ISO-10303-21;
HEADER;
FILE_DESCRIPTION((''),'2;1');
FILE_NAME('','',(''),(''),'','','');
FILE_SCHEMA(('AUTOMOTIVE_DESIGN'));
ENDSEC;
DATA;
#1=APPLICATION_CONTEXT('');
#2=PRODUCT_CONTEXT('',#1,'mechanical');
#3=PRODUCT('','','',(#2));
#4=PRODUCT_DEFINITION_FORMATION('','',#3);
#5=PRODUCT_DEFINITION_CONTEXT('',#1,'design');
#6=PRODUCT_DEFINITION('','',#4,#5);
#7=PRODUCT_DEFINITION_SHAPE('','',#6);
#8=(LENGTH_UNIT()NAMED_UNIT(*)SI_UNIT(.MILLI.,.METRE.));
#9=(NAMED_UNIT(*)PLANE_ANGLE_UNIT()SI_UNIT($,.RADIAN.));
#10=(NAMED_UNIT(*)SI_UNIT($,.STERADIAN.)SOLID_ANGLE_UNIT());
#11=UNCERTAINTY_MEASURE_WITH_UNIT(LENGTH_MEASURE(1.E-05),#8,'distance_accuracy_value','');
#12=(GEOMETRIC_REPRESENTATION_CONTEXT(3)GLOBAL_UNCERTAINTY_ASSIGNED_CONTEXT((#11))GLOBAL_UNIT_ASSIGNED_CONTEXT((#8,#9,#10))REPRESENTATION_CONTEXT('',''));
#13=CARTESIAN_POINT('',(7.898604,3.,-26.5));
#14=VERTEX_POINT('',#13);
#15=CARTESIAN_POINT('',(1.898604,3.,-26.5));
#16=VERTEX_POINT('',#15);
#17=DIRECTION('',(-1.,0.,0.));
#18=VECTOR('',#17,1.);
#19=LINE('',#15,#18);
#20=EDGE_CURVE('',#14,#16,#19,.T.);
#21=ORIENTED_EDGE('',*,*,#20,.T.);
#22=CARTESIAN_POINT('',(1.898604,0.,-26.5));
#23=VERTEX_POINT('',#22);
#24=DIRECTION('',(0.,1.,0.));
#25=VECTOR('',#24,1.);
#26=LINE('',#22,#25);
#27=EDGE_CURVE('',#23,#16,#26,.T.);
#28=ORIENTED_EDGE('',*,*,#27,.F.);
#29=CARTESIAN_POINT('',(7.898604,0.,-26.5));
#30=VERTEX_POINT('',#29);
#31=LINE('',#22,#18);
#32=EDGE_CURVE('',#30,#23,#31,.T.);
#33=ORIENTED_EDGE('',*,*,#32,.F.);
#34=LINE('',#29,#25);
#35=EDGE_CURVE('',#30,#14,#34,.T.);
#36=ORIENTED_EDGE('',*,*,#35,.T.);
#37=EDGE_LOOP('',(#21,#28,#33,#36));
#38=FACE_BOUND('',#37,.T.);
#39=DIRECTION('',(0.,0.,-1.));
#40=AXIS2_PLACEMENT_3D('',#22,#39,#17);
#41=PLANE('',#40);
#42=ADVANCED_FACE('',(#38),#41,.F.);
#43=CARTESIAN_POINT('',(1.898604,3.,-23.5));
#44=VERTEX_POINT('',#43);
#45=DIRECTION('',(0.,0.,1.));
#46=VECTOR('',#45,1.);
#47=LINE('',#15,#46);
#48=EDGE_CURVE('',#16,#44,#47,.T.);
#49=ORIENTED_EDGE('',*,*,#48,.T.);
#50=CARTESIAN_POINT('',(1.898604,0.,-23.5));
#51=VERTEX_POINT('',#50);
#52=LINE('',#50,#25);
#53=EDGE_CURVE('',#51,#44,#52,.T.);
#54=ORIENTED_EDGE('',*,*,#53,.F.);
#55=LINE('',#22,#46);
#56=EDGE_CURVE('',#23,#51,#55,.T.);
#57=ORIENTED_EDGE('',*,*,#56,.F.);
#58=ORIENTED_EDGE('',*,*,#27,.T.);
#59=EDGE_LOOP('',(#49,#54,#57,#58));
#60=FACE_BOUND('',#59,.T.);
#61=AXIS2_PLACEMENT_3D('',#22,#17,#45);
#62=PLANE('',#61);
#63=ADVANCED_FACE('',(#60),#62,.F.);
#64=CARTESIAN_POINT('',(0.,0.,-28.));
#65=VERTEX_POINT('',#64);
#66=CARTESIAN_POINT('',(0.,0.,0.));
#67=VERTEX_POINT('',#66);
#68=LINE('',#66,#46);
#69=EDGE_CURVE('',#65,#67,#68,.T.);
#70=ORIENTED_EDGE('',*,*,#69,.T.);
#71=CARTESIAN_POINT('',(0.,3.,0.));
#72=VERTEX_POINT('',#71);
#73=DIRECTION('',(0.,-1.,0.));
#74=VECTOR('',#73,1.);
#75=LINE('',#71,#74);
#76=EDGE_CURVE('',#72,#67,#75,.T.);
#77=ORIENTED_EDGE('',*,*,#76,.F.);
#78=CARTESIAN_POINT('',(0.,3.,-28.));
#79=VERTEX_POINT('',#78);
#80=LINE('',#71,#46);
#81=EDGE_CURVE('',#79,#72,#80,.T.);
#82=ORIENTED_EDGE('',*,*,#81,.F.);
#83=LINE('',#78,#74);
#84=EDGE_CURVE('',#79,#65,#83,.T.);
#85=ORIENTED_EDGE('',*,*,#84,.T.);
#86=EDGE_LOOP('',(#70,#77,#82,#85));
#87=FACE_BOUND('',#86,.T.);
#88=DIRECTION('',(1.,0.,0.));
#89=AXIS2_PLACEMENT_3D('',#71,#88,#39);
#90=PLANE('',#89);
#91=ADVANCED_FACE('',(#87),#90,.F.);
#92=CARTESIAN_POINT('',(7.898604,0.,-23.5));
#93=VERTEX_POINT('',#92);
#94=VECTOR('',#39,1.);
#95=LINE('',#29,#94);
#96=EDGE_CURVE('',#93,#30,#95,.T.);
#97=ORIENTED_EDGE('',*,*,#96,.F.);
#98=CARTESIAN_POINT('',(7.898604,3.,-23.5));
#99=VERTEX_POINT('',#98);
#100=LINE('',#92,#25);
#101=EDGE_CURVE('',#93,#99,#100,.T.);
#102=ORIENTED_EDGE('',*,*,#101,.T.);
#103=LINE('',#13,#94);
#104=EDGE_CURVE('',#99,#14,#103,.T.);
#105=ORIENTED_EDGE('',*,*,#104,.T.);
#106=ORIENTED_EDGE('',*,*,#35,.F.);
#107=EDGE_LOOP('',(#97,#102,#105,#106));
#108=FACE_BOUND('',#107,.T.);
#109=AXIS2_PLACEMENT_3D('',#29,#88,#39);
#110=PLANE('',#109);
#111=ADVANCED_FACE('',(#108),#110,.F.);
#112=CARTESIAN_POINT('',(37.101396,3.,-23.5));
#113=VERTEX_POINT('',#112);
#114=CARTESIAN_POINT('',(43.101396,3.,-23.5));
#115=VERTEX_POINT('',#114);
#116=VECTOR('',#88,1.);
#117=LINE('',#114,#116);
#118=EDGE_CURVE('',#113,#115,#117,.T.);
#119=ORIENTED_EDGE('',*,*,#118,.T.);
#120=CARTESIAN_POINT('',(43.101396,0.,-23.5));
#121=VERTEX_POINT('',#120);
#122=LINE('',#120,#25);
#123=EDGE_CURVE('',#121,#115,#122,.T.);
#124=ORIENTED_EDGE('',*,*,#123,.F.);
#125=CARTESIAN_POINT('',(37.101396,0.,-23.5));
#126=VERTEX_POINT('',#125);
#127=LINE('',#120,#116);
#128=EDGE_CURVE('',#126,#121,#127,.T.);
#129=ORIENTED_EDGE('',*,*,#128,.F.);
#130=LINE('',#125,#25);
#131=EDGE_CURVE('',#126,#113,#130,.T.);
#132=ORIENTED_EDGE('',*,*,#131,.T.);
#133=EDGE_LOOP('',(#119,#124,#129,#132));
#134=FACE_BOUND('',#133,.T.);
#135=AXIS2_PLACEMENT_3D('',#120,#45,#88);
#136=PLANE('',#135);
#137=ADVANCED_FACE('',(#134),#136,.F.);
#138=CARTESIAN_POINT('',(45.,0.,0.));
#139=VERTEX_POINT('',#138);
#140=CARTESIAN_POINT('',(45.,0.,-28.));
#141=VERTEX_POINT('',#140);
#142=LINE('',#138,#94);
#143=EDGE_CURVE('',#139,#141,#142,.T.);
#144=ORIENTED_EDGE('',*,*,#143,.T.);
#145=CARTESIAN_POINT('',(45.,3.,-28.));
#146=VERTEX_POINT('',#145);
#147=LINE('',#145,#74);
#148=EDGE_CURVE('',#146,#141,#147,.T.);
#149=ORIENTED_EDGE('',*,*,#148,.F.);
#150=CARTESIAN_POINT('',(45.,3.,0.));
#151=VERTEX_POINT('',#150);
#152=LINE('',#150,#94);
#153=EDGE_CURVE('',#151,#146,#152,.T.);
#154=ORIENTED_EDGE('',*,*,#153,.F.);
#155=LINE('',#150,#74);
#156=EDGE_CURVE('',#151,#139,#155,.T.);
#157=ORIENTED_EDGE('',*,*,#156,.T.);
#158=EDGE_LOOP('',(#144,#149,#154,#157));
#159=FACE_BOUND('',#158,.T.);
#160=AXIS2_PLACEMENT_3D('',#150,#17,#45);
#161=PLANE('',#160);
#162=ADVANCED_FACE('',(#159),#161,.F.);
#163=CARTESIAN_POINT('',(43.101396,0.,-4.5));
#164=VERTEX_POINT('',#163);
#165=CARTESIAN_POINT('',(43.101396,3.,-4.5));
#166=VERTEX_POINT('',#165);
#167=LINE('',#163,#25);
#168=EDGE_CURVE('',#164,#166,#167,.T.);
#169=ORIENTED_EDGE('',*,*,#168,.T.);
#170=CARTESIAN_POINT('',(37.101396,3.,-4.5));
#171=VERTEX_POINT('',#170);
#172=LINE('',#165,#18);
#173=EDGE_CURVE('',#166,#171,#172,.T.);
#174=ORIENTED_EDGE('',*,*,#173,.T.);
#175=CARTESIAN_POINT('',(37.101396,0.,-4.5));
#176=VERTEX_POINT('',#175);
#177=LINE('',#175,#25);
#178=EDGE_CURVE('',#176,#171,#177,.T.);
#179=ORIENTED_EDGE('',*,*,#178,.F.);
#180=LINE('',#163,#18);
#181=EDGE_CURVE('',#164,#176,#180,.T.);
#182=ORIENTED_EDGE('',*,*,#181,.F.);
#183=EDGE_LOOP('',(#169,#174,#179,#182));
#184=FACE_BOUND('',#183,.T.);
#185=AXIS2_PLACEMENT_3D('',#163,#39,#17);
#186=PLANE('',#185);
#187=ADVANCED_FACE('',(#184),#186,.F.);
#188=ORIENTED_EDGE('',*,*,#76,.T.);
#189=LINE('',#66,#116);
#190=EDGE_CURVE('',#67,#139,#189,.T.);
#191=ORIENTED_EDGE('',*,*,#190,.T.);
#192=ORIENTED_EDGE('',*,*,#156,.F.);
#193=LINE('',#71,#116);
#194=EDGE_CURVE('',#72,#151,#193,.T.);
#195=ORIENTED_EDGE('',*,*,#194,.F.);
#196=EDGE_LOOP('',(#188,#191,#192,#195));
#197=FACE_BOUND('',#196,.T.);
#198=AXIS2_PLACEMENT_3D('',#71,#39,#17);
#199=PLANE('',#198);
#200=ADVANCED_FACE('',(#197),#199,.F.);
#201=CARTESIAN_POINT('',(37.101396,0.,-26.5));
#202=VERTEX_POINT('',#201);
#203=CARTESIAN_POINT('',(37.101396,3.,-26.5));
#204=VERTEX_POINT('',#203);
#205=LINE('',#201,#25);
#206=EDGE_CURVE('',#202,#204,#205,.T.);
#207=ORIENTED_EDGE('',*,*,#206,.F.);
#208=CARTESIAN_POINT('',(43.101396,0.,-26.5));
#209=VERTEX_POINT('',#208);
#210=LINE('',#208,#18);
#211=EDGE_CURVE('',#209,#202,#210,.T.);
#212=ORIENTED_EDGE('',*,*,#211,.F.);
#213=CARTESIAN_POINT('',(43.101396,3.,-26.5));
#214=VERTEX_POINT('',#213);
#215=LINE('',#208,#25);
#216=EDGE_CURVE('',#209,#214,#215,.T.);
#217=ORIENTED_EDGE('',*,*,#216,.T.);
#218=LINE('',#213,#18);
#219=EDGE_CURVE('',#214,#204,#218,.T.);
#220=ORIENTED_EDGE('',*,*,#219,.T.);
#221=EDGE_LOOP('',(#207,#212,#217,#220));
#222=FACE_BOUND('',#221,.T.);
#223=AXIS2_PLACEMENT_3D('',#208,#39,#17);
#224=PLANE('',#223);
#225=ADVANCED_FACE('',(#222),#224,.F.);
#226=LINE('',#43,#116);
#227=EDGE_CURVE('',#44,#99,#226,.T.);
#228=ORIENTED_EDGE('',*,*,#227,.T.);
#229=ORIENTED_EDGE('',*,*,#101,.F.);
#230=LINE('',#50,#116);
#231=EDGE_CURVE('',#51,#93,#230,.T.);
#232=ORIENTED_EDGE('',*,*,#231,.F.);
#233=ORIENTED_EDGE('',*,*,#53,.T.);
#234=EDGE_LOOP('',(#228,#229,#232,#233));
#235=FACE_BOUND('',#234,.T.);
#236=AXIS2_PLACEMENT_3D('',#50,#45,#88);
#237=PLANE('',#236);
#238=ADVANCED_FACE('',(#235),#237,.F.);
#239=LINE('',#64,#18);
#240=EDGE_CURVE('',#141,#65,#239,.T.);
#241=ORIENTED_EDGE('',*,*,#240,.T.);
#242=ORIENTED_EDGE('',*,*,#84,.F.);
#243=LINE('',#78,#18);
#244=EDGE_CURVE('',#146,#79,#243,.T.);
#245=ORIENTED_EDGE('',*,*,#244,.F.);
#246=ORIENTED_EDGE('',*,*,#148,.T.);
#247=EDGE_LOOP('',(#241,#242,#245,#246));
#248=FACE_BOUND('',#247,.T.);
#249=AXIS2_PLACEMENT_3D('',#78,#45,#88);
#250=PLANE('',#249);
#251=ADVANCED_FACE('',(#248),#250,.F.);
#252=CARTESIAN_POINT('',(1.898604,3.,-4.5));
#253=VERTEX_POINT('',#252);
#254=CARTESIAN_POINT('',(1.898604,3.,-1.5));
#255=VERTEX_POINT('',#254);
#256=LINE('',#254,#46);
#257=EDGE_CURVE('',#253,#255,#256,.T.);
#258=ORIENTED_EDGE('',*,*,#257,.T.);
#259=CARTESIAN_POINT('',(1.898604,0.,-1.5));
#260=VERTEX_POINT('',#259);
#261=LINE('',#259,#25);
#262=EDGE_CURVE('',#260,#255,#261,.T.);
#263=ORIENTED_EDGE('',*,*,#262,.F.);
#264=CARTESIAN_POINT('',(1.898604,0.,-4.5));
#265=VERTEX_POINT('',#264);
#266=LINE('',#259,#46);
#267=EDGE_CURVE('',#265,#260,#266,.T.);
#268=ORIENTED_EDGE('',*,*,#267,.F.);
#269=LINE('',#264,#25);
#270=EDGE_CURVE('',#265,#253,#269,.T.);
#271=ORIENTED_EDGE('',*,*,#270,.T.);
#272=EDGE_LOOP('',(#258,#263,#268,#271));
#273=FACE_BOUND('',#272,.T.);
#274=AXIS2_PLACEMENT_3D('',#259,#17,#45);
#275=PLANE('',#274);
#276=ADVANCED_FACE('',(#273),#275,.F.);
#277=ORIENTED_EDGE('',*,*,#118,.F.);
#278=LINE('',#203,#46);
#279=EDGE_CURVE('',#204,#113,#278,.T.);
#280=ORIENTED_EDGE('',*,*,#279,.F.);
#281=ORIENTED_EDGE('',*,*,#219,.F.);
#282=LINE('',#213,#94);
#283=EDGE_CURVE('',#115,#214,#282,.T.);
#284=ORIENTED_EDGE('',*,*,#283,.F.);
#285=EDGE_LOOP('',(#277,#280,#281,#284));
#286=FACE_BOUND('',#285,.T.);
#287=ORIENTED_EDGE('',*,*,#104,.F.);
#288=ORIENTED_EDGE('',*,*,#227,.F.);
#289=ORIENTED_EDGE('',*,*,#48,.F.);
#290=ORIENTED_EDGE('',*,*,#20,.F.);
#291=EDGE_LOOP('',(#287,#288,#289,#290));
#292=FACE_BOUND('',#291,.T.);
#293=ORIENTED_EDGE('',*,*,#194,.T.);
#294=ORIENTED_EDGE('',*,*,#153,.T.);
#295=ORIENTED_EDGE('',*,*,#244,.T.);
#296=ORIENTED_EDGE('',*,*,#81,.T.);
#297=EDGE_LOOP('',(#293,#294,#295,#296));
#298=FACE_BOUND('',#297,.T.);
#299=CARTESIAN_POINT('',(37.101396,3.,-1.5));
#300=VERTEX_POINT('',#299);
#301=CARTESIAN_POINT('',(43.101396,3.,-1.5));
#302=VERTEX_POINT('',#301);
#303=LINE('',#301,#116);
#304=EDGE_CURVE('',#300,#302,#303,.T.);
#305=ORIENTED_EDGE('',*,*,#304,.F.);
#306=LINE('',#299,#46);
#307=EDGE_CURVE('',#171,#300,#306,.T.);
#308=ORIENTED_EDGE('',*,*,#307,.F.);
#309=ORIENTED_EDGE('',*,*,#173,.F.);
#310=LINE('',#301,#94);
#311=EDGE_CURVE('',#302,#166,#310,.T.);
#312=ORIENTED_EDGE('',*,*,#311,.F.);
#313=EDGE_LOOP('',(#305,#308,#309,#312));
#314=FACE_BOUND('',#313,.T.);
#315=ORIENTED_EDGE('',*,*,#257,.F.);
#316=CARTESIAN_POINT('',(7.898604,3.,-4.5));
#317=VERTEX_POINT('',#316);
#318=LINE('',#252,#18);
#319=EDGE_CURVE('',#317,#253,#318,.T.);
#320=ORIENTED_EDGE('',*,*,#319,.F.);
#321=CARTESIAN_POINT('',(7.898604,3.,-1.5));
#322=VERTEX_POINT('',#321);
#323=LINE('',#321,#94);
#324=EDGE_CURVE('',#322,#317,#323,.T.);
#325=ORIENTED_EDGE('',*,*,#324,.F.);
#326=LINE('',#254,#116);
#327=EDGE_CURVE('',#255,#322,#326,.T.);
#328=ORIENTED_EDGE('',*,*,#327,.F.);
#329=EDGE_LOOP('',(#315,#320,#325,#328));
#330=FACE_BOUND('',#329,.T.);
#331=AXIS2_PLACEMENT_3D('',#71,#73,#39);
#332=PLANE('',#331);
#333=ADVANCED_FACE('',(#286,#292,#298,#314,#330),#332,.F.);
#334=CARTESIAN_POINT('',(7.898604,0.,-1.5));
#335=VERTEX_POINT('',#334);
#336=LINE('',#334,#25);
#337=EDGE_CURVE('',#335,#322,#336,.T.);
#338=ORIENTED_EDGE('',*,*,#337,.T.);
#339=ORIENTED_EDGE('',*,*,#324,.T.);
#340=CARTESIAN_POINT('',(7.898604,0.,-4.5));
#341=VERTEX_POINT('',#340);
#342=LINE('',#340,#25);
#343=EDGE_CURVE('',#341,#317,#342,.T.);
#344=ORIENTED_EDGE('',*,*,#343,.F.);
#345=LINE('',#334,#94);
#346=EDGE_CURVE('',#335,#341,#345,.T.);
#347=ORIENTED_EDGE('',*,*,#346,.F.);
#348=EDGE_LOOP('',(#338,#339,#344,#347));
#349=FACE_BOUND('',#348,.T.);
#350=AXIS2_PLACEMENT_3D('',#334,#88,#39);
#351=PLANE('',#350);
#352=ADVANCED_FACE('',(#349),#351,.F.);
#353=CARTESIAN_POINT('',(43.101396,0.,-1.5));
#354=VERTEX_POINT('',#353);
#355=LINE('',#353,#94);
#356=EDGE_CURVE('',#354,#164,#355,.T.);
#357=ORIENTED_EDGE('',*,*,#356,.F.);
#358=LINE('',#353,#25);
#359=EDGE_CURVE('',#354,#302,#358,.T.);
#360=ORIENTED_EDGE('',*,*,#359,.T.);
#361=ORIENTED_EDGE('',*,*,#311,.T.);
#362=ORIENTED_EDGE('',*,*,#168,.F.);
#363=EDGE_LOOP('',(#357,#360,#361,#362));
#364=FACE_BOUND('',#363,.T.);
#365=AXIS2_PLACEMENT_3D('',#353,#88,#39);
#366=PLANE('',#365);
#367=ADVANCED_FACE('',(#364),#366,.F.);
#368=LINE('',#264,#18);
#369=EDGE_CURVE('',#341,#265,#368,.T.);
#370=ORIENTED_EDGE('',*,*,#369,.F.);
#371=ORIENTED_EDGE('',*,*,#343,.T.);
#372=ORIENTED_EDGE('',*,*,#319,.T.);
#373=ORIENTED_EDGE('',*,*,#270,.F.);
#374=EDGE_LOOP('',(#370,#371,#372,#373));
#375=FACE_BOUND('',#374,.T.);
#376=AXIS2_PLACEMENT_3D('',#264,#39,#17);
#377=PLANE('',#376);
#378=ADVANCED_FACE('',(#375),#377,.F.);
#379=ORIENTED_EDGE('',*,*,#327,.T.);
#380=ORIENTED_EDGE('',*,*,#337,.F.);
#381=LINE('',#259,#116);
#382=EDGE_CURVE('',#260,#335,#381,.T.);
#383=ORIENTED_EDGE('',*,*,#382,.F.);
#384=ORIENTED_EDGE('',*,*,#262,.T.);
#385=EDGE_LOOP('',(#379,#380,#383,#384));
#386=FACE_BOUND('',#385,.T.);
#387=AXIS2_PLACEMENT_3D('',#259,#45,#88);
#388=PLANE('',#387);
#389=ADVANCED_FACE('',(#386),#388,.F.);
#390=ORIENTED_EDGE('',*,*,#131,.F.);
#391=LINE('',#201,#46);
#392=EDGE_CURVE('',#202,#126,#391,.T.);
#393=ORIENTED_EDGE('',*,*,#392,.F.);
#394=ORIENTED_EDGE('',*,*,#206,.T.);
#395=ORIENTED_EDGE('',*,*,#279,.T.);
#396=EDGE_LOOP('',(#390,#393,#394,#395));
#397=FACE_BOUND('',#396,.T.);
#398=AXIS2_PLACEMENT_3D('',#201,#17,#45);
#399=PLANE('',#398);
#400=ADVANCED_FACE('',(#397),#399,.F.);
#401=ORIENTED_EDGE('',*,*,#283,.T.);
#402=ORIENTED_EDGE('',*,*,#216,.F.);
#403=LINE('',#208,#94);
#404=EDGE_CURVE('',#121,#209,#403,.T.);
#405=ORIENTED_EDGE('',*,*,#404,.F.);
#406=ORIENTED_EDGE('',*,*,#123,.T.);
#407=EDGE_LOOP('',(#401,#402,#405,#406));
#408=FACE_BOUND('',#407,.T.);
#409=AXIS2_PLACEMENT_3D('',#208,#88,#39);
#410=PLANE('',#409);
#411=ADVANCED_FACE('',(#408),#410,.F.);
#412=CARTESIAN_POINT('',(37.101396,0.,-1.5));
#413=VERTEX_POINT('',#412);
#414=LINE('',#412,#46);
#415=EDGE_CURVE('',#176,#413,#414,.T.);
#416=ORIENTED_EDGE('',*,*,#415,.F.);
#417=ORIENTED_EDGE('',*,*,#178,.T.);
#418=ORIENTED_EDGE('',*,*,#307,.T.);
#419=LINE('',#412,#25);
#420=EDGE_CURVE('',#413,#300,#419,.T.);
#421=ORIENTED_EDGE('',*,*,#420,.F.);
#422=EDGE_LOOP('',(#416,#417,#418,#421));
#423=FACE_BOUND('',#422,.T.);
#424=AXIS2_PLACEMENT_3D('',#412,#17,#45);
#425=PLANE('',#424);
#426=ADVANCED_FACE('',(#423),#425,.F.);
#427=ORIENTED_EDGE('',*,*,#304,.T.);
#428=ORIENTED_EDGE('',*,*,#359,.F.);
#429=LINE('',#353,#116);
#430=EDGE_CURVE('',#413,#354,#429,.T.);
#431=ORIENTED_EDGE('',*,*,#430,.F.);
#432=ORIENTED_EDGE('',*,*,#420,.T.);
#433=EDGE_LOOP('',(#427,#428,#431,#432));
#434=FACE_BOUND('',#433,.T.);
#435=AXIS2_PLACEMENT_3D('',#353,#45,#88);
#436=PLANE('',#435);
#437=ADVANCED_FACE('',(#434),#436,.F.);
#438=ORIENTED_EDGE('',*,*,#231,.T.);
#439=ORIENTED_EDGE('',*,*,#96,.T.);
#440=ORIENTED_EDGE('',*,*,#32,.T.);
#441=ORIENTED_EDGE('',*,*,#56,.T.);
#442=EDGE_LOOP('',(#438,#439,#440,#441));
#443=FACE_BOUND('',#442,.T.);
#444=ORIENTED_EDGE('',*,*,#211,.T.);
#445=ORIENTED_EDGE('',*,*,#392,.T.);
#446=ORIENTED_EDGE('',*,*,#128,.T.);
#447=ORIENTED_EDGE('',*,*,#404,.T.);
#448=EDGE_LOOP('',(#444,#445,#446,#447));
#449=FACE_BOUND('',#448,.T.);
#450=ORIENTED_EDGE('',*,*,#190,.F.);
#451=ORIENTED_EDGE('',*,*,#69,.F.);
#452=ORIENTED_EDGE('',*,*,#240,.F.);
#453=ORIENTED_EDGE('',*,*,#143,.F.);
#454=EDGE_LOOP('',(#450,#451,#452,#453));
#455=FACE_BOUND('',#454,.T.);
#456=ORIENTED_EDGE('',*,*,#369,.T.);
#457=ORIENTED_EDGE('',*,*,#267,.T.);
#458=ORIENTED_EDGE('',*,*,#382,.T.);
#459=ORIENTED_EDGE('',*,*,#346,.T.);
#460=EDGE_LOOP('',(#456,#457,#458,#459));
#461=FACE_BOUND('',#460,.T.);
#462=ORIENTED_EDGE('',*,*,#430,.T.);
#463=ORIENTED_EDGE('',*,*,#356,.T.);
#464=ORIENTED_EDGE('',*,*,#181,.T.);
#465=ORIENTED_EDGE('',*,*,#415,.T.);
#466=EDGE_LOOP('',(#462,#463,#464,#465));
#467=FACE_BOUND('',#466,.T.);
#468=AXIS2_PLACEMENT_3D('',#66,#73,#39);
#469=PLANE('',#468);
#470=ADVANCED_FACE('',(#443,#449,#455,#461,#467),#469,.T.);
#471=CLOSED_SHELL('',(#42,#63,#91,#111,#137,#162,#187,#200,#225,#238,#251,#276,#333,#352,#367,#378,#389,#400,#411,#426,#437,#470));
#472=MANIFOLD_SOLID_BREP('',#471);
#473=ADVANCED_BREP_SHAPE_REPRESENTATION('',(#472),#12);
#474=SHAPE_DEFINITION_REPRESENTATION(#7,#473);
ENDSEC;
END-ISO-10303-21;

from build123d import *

# Parameters (mm, degrees)
SKETCH_1_W          = 45
SKETCH_1_H          = 28
EXTRUDE_1_DEPTH     = 3
SKETCH_2_W          = 6
SKETCH_2_H          = 3
CUT_EXTRUDE_1_DEPTH = 4


with BuildPart() as part:
    # 스케치1 → 보스-돌출1 (new body)
    with BuildSketch(Plane(origin=(0, 0, 0), x_dir=(1, 0, 0), z_dir=(0, 1, 0))):
        with Locations((22.5, 14)):
            Rectangle(SKETCH_1_W, SKETCH_1_H)
    extrude(amount=EXTRUDE_1_DEPTH)

    # 스케치2 → 컷-돌출1 (cut, through all)
    with BuildSketch(Plane(origin=(0, 3, 0), x_dir=(1, 0, 0), z_dir=(0, 1, 0))):
        with Locations((4.898604001, 25)):
            Rectangle(SKETCH_2_W, SKETCH_2_H)
        with Locations((4.898604001, 3)):
            Rectangle(SKETCH_2_W, SKETCH_2_H)
        with Locations((40.101395999, 3)):
            Rectangle(SKETCH_2_W, SKETCH_2_H)
        with Locations((40.101395999, 25)):
            Rectangle(SKETCH_2_W, SKETCH_2_H)
    extrude(amount=-CUT_EXTRUDE_1_DEPTH, mode=Mode.SUBTRACT)


solid = part.part
